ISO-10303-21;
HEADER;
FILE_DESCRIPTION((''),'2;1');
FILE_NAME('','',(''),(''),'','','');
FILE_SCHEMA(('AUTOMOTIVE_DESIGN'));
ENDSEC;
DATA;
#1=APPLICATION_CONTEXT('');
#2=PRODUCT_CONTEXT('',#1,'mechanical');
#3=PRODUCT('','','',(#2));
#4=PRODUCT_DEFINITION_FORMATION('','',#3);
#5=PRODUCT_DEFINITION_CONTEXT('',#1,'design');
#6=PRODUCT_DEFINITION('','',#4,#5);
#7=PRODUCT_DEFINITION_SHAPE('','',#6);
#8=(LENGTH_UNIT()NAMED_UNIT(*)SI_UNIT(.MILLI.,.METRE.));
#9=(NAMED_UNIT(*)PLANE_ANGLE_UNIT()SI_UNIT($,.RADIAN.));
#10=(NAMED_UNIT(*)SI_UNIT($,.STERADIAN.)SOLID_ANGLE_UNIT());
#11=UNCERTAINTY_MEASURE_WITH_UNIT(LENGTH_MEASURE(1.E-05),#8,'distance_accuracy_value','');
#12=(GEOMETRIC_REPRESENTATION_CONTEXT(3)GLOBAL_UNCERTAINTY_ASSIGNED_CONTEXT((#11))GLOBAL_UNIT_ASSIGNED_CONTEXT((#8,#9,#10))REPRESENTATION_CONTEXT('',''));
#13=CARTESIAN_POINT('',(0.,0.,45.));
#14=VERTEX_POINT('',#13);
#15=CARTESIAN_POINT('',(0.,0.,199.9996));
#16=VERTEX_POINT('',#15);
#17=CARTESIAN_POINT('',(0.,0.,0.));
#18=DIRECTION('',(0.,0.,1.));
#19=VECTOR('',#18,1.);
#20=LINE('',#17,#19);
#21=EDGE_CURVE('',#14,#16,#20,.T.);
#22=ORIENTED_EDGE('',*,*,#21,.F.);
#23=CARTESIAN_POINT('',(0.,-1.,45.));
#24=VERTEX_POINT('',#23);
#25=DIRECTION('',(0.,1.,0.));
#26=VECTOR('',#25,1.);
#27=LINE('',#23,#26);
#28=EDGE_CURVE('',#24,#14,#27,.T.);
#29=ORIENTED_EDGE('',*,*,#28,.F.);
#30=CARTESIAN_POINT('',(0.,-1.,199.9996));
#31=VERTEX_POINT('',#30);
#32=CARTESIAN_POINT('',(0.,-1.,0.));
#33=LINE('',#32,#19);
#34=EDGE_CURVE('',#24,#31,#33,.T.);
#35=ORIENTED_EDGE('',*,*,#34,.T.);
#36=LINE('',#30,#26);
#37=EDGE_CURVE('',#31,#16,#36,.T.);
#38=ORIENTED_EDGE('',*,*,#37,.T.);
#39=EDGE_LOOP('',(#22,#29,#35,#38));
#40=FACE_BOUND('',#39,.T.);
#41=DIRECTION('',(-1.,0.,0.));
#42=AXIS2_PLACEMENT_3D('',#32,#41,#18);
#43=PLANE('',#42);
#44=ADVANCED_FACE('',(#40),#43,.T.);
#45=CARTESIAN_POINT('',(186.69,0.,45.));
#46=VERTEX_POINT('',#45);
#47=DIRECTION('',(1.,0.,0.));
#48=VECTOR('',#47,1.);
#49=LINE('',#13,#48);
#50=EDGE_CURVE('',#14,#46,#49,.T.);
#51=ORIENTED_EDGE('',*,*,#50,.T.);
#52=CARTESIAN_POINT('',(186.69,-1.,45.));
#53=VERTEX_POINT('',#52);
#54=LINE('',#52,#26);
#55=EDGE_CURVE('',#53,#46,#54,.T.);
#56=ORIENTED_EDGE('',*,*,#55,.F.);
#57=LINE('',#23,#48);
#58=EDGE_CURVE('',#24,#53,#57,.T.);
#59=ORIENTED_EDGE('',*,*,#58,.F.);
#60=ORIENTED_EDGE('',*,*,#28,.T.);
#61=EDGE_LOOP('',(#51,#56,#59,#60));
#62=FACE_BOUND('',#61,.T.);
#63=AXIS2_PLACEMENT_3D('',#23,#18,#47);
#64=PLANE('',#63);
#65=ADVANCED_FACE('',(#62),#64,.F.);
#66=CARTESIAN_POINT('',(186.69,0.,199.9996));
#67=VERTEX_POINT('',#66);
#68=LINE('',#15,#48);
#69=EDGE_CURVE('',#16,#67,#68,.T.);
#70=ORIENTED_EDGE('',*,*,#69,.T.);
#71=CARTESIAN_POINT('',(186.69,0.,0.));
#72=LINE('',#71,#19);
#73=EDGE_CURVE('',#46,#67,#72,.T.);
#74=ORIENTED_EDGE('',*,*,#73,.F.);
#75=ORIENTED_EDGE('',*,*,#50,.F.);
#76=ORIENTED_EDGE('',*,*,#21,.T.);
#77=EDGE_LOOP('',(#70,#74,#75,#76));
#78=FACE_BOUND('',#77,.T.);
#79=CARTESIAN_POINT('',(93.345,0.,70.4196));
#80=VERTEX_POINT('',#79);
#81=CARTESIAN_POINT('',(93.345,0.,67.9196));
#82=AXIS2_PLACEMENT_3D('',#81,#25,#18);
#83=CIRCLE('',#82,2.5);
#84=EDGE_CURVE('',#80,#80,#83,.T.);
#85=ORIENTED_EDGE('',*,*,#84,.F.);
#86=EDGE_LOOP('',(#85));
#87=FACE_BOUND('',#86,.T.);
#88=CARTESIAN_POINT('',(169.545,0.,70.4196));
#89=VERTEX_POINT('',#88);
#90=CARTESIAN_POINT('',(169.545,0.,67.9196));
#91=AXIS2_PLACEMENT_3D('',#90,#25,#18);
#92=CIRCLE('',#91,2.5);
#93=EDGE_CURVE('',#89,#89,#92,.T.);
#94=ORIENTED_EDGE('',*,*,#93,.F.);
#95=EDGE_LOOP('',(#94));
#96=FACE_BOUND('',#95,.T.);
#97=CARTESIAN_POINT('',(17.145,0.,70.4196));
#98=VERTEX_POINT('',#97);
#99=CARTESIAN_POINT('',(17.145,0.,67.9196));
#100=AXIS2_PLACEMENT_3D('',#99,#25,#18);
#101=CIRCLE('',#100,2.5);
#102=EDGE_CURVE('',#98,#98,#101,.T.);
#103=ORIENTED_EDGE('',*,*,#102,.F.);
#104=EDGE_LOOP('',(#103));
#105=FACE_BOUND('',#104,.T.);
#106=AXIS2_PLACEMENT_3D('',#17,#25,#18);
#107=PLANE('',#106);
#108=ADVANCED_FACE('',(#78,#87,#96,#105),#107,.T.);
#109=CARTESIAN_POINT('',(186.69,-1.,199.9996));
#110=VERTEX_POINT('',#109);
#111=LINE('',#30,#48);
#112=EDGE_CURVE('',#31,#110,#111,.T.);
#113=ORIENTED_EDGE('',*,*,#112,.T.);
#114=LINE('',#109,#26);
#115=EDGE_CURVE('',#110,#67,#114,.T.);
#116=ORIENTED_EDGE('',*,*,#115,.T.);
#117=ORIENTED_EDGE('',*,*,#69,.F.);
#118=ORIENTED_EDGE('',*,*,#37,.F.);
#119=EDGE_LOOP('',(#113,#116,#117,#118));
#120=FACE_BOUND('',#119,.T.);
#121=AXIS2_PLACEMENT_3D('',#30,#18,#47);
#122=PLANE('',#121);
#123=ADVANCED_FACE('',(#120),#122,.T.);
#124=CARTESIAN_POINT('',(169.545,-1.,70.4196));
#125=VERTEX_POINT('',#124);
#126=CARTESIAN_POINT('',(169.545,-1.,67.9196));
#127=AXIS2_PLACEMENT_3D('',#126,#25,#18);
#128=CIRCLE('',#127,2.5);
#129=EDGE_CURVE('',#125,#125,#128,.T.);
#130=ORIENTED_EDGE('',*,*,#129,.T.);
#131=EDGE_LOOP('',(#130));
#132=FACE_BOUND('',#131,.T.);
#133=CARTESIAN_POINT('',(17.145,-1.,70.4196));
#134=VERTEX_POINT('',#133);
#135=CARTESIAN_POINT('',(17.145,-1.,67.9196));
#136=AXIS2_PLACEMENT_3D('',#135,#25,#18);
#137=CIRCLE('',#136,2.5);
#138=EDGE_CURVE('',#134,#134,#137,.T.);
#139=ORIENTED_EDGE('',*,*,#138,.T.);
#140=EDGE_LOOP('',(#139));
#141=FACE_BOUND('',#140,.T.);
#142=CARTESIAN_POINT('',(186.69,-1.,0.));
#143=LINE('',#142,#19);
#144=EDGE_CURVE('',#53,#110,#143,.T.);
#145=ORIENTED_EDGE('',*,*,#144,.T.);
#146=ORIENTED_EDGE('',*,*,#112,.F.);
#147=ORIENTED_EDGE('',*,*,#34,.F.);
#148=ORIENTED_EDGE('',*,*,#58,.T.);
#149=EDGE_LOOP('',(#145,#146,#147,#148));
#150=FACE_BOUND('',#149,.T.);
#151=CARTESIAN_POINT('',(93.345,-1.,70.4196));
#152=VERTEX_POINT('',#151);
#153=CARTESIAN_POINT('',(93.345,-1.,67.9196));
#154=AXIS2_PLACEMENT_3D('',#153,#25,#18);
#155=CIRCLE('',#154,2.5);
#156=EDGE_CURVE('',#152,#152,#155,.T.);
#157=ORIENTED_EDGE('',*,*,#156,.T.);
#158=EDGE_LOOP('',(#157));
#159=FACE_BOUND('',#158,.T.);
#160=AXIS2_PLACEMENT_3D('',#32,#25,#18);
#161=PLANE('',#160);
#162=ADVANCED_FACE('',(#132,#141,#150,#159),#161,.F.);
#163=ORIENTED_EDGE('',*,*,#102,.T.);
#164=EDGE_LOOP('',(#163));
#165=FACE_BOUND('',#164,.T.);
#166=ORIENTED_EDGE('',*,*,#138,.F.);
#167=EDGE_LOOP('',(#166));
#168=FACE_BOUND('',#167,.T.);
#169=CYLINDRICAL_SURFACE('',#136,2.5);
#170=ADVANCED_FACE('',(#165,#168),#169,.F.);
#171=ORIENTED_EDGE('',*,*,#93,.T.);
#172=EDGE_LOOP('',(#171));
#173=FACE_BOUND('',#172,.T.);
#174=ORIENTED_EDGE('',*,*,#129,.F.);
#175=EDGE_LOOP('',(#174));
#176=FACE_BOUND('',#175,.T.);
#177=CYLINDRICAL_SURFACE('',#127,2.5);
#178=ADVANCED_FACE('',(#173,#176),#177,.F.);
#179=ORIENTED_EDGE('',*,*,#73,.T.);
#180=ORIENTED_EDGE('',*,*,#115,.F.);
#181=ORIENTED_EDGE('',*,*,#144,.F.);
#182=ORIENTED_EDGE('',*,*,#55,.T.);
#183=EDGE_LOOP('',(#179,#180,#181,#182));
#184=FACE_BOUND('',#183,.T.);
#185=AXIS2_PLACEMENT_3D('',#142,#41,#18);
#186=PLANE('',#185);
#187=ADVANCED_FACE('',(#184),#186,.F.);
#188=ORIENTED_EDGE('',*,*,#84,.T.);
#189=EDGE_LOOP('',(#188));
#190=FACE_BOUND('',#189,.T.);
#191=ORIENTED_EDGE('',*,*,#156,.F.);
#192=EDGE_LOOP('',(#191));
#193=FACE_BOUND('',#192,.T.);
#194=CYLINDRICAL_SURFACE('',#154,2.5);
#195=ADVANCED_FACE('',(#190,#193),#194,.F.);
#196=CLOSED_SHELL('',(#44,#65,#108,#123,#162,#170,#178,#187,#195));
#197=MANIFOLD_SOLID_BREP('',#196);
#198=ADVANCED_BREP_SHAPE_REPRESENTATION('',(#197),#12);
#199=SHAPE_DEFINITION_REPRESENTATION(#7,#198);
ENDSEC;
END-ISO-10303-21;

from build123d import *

# Parameters (mm, degrees)
SKETCH1_W               = 186.69
SKETCH1_H               = 199.9996
SKETCH1_R               = 2.5
BOSS_EXTRUDE1_DEPTH     = 1
SKETCH2_W               = 186.69
SKETCH2_H               = 45
CUT_EXTRUDE1_DEPTH      = 1
CUT_EXTRUDE1_DEPTH_BACK = 2


with BuildPart() as part:
    # Sketch1 → Boss-Extrude1 (new body)
    with BuildSketch(Plane(origin=(0, 0, 0), x_dir=(1, 0, 0), z_dir=(0, 1, 0))):
        with Locations((93.345, -99.9998)):
            Rectangle(SKETCH1_W, SKETCH1_H)
        with Locations((169.545, -67.9196)):
            Circle(SKETCH1_R, mode=Mode.SUBTRACT)
        with Locations((17.145, -67.9196)):
            Circle(SKETCH1_R, mode=Mode.SUBTRACT)
        with Locations((93.345, -67.9196)):
            Circle(SKETCH1_R, mode=Mode.SUBTRACT)
    extrude(amount=-BOSS_EXTRUDE1_DEPTH)

    # Sketch2 → Cut-Extrude1 (cut, two sides)
    with BuildSketch(Plane(origin=(0, 0, 0), x_dir=(1, 0, 0), z_dir=(0, 1, 0))) as cut_extrude1_sk:
        with Locations((93.345, -22.5)):
            Rectangle(SKETCH2_W, SKETCH2_H)
    extrude(amount=CUT_EXTRUDE1_DEPTH, mode=Mode.SUBTRACT)
    extrude(cut_extrude1_sk.sketch, amount=-CUT_EXTRUDE1_DEPTH_BACK, mode=Mode.SUBTRACT)


solid = part.part
